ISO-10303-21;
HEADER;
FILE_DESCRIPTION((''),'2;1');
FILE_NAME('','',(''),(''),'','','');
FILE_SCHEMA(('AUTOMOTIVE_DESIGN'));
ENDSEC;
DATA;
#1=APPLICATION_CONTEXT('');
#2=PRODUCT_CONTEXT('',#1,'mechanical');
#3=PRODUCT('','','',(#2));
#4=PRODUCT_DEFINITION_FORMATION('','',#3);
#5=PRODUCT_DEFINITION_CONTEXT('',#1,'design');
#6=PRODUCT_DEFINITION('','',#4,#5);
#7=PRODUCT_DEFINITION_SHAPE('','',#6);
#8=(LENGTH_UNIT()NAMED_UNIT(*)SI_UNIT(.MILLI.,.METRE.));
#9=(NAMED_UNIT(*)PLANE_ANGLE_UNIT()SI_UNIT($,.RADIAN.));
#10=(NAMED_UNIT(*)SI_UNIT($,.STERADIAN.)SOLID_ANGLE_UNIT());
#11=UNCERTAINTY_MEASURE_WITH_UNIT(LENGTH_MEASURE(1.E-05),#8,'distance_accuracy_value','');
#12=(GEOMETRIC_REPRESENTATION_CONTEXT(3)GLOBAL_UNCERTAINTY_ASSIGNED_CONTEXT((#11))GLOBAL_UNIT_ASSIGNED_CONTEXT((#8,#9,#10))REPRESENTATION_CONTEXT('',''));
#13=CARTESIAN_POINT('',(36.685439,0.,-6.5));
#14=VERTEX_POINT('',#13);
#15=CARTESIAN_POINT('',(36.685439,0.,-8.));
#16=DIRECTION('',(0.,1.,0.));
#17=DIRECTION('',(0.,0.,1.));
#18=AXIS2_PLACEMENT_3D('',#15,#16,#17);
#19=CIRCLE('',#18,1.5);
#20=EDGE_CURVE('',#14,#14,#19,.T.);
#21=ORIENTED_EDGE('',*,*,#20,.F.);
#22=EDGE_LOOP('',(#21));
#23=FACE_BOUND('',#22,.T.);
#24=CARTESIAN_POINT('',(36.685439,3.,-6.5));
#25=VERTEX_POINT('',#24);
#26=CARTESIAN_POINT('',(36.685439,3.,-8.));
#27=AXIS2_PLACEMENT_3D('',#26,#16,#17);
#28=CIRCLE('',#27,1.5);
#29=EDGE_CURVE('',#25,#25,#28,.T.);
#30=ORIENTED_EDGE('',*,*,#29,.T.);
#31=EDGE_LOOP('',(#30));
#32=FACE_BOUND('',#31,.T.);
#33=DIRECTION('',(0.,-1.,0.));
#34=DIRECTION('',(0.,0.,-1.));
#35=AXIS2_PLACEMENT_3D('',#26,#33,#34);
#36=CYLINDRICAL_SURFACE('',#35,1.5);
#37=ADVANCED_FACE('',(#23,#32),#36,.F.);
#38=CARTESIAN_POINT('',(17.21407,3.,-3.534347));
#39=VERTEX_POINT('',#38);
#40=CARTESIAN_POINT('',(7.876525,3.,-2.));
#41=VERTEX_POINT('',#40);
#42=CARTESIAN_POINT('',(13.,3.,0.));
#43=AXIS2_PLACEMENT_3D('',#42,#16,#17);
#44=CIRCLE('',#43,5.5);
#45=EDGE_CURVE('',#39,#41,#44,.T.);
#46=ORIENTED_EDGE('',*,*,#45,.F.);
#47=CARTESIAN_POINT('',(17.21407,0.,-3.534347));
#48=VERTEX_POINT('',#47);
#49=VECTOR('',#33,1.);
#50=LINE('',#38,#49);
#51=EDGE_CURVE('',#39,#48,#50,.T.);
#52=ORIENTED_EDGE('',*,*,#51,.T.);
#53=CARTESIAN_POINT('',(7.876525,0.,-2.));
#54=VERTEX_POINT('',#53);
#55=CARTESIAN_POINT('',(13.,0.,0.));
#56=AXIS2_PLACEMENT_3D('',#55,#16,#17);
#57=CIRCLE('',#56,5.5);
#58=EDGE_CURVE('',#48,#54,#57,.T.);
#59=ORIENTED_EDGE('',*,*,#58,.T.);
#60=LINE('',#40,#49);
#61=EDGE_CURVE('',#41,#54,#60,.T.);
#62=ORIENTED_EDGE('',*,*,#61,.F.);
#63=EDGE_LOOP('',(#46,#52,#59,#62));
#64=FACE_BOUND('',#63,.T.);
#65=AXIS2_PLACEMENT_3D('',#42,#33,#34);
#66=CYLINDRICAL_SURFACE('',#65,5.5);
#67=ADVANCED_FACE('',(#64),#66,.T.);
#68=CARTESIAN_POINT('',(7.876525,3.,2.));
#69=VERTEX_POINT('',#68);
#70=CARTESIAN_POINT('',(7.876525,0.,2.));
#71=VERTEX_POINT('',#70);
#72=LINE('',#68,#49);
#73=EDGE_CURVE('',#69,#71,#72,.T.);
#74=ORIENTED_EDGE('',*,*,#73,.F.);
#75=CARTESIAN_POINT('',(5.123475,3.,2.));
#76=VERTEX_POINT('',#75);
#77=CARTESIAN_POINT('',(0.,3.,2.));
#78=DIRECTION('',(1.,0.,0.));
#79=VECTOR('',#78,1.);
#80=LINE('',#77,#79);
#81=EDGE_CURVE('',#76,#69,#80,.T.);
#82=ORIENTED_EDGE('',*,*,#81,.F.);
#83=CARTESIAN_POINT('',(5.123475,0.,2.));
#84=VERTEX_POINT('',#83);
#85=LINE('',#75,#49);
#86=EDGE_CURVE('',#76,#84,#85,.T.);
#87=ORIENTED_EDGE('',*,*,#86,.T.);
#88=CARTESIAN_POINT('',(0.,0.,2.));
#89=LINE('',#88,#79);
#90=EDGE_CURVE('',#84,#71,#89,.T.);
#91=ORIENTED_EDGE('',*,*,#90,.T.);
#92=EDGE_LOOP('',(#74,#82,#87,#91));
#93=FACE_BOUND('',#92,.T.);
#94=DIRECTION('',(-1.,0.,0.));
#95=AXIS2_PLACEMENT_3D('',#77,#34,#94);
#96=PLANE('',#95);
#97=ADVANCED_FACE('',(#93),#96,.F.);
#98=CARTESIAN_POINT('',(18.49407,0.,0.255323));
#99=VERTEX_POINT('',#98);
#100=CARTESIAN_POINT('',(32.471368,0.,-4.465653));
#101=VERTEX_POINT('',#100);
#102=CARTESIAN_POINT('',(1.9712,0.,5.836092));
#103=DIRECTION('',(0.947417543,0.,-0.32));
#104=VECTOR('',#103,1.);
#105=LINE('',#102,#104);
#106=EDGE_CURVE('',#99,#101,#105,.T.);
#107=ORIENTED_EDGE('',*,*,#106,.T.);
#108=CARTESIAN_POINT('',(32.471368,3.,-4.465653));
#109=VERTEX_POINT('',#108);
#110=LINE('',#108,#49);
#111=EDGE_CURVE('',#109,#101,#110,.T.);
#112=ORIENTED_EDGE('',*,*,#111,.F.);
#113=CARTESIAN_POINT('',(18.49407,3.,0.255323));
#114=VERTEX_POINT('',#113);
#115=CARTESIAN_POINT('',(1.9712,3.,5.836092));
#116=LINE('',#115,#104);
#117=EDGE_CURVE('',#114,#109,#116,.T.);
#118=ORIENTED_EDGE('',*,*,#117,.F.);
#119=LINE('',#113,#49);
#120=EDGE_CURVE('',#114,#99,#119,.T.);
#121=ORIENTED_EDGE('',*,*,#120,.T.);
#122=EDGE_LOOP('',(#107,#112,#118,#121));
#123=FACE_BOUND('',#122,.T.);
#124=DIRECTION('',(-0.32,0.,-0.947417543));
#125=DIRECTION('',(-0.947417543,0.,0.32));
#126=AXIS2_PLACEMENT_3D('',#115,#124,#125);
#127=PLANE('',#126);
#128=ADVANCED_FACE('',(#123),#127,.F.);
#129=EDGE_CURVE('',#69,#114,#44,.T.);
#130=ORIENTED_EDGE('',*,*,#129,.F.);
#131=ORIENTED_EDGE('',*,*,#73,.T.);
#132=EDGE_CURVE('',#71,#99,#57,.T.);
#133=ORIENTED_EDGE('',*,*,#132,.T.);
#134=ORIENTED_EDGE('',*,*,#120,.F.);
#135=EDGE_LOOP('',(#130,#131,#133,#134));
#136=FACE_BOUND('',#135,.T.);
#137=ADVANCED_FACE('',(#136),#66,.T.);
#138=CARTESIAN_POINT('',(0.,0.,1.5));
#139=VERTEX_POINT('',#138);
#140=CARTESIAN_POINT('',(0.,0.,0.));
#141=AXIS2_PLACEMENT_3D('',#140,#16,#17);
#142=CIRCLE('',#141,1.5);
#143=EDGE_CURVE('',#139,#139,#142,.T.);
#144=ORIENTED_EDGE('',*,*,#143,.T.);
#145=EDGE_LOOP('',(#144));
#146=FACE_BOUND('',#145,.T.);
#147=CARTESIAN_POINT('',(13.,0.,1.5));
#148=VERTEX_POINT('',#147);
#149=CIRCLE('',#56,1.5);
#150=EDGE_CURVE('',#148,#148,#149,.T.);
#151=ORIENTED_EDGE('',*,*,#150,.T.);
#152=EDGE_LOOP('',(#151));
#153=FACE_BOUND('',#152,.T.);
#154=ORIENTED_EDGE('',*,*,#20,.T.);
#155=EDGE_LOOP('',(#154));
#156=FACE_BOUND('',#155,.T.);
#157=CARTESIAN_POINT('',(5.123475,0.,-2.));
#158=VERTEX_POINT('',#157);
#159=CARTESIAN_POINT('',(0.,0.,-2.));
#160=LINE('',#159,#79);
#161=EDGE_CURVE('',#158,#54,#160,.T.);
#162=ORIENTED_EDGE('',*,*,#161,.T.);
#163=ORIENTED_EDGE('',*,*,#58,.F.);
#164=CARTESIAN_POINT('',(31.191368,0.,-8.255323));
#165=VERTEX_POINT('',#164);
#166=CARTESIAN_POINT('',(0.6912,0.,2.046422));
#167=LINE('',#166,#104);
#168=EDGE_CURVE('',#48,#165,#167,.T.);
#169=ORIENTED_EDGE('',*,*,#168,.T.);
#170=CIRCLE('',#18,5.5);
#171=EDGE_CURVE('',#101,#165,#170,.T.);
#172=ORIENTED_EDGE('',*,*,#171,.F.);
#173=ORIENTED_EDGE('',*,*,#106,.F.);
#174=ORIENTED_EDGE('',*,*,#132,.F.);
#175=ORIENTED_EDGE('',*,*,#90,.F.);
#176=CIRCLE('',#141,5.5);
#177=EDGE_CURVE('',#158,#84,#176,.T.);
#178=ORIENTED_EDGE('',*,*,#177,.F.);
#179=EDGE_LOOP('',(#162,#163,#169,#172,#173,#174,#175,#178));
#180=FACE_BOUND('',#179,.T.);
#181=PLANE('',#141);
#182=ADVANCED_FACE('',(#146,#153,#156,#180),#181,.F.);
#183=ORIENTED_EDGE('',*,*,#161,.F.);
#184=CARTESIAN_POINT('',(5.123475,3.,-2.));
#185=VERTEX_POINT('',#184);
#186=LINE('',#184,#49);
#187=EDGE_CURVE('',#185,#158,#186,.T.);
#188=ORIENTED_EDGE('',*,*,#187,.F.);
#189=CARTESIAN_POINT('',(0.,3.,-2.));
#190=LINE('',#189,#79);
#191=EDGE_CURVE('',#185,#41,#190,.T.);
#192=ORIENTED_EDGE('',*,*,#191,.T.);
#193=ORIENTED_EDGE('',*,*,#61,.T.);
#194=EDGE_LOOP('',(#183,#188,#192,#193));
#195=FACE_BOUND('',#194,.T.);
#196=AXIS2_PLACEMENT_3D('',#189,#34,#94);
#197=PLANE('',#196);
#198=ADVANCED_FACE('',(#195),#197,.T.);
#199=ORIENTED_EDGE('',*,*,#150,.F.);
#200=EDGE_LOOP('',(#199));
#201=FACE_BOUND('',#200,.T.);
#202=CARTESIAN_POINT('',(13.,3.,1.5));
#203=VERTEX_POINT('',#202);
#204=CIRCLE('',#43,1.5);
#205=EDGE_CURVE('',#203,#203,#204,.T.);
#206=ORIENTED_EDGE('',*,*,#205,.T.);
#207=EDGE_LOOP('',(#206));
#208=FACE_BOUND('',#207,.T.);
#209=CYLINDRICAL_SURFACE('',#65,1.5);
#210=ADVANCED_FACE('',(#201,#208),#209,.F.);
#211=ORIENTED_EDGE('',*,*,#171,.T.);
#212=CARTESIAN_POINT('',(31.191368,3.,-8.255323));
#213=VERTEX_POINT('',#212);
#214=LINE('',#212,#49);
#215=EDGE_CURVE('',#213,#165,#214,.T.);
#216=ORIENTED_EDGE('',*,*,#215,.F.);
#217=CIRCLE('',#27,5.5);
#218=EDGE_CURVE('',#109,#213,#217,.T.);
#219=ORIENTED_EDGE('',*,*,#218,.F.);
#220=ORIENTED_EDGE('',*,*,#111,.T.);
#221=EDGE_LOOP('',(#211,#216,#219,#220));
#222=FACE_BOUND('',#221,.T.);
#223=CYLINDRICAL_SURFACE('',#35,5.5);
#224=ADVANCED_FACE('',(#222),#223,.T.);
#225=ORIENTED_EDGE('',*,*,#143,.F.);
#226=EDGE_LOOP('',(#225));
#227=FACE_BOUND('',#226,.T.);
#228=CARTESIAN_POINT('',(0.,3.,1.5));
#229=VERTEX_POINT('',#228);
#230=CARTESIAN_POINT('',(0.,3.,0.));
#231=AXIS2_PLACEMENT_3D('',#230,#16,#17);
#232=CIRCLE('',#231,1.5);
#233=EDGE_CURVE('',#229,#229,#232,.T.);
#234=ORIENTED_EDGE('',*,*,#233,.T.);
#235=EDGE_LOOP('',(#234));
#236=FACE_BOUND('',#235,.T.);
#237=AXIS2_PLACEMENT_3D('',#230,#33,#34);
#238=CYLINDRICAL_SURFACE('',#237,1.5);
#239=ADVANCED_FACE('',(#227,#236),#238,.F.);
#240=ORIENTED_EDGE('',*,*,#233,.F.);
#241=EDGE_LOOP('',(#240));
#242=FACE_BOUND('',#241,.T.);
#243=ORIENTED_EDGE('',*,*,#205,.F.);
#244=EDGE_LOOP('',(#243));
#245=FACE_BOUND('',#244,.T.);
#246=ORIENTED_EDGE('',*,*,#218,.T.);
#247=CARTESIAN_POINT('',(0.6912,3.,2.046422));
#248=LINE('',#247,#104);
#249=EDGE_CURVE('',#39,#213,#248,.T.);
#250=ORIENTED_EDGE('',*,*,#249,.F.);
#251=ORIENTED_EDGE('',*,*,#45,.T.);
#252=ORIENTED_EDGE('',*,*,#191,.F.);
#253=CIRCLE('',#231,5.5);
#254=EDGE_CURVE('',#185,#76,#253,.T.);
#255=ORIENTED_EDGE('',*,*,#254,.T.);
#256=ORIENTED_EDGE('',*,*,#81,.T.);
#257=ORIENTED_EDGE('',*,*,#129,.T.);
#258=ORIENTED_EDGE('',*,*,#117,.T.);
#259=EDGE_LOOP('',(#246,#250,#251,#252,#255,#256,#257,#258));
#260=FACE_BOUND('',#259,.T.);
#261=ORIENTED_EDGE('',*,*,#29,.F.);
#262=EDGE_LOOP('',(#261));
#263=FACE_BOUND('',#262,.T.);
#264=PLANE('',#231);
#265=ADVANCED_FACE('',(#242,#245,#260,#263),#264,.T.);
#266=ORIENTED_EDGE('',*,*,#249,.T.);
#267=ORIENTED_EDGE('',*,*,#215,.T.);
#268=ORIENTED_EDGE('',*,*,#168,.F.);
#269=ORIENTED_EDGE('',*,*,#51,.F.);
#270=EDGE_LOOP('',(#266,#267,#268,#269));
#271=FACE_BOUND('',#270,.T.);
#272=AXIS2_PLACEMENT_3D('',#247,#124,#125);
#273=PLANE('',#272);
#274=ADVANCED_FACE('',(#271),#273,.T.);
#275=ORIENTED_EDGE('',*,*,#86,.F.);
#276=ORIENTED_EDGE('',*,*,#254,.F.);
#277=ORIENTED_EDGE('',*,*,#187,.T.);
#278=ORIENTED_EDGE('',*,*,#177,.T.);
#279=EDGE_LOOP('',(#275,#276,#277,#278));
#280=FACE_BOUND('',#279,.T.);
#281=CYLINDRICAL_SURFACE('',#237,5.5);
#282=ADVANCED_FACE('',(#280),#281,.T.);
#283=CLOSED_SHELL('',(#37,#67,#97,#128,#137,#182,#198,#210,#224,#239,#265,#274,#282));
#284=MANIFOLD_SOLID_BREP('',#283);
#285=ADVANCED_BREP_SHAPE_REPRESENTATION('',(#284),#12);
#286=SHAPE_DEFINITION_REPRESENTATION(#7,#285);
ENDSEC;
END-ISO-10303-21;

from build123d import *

# Parameters (mm, degrees)
SKETCH1_R           = 1.5
BOSS_EXTRUDE1_DEPTH = 3


with BuildPart() as part:
    # Sketch1 → Boss-Extrude1 (new body)
    with BuildSketch(Plane(origin=(0, 0, 0), x_dir=(1, 0, 0), z_dir=(0, 1, 0))):
        with BuildLine():
            ThreePointArc((5.123475383, 2), (-5.5, 0), (5.123475383, -2))
            Line((5.123475383, -2), (7.876524617, -2))
            ThreePointArc((7.876524617, -2), (13.891801362, -5.42721755), (18.494070457, -0.255322963))
            Line((18.494070457, -0.255322963), (32.471368108, 4.465652792))
            ThreePointArc((32.471368108, 4.465652792), (41.896235049, 9.76), (31.191368108, 8.255322963))
            Line((31.191368108, 8.255322963), (17.214070457, 3.534347208))
            ThreePointArc((17.214070457, 3.534347208), (12.108198638, 5.42721755), (7.876524617, 2))
            Line((7.876524617, 2), (5.123475383, 2))
        make_face()
        Circle(SKETCH1_R, mode=Mode.SUBTRACT)
        with Locations((13, 0)):
            Circle(SKETCH1_R, mode=Mode.SUBTRACT)
        with Locations((36.685438565, 8)):
            Circle(SKETCH1_R, mode=Mode.SUBTRACT)
    extrude(amount=BOSS_EXTRUDE1_DEPTH)


solid = part.part
